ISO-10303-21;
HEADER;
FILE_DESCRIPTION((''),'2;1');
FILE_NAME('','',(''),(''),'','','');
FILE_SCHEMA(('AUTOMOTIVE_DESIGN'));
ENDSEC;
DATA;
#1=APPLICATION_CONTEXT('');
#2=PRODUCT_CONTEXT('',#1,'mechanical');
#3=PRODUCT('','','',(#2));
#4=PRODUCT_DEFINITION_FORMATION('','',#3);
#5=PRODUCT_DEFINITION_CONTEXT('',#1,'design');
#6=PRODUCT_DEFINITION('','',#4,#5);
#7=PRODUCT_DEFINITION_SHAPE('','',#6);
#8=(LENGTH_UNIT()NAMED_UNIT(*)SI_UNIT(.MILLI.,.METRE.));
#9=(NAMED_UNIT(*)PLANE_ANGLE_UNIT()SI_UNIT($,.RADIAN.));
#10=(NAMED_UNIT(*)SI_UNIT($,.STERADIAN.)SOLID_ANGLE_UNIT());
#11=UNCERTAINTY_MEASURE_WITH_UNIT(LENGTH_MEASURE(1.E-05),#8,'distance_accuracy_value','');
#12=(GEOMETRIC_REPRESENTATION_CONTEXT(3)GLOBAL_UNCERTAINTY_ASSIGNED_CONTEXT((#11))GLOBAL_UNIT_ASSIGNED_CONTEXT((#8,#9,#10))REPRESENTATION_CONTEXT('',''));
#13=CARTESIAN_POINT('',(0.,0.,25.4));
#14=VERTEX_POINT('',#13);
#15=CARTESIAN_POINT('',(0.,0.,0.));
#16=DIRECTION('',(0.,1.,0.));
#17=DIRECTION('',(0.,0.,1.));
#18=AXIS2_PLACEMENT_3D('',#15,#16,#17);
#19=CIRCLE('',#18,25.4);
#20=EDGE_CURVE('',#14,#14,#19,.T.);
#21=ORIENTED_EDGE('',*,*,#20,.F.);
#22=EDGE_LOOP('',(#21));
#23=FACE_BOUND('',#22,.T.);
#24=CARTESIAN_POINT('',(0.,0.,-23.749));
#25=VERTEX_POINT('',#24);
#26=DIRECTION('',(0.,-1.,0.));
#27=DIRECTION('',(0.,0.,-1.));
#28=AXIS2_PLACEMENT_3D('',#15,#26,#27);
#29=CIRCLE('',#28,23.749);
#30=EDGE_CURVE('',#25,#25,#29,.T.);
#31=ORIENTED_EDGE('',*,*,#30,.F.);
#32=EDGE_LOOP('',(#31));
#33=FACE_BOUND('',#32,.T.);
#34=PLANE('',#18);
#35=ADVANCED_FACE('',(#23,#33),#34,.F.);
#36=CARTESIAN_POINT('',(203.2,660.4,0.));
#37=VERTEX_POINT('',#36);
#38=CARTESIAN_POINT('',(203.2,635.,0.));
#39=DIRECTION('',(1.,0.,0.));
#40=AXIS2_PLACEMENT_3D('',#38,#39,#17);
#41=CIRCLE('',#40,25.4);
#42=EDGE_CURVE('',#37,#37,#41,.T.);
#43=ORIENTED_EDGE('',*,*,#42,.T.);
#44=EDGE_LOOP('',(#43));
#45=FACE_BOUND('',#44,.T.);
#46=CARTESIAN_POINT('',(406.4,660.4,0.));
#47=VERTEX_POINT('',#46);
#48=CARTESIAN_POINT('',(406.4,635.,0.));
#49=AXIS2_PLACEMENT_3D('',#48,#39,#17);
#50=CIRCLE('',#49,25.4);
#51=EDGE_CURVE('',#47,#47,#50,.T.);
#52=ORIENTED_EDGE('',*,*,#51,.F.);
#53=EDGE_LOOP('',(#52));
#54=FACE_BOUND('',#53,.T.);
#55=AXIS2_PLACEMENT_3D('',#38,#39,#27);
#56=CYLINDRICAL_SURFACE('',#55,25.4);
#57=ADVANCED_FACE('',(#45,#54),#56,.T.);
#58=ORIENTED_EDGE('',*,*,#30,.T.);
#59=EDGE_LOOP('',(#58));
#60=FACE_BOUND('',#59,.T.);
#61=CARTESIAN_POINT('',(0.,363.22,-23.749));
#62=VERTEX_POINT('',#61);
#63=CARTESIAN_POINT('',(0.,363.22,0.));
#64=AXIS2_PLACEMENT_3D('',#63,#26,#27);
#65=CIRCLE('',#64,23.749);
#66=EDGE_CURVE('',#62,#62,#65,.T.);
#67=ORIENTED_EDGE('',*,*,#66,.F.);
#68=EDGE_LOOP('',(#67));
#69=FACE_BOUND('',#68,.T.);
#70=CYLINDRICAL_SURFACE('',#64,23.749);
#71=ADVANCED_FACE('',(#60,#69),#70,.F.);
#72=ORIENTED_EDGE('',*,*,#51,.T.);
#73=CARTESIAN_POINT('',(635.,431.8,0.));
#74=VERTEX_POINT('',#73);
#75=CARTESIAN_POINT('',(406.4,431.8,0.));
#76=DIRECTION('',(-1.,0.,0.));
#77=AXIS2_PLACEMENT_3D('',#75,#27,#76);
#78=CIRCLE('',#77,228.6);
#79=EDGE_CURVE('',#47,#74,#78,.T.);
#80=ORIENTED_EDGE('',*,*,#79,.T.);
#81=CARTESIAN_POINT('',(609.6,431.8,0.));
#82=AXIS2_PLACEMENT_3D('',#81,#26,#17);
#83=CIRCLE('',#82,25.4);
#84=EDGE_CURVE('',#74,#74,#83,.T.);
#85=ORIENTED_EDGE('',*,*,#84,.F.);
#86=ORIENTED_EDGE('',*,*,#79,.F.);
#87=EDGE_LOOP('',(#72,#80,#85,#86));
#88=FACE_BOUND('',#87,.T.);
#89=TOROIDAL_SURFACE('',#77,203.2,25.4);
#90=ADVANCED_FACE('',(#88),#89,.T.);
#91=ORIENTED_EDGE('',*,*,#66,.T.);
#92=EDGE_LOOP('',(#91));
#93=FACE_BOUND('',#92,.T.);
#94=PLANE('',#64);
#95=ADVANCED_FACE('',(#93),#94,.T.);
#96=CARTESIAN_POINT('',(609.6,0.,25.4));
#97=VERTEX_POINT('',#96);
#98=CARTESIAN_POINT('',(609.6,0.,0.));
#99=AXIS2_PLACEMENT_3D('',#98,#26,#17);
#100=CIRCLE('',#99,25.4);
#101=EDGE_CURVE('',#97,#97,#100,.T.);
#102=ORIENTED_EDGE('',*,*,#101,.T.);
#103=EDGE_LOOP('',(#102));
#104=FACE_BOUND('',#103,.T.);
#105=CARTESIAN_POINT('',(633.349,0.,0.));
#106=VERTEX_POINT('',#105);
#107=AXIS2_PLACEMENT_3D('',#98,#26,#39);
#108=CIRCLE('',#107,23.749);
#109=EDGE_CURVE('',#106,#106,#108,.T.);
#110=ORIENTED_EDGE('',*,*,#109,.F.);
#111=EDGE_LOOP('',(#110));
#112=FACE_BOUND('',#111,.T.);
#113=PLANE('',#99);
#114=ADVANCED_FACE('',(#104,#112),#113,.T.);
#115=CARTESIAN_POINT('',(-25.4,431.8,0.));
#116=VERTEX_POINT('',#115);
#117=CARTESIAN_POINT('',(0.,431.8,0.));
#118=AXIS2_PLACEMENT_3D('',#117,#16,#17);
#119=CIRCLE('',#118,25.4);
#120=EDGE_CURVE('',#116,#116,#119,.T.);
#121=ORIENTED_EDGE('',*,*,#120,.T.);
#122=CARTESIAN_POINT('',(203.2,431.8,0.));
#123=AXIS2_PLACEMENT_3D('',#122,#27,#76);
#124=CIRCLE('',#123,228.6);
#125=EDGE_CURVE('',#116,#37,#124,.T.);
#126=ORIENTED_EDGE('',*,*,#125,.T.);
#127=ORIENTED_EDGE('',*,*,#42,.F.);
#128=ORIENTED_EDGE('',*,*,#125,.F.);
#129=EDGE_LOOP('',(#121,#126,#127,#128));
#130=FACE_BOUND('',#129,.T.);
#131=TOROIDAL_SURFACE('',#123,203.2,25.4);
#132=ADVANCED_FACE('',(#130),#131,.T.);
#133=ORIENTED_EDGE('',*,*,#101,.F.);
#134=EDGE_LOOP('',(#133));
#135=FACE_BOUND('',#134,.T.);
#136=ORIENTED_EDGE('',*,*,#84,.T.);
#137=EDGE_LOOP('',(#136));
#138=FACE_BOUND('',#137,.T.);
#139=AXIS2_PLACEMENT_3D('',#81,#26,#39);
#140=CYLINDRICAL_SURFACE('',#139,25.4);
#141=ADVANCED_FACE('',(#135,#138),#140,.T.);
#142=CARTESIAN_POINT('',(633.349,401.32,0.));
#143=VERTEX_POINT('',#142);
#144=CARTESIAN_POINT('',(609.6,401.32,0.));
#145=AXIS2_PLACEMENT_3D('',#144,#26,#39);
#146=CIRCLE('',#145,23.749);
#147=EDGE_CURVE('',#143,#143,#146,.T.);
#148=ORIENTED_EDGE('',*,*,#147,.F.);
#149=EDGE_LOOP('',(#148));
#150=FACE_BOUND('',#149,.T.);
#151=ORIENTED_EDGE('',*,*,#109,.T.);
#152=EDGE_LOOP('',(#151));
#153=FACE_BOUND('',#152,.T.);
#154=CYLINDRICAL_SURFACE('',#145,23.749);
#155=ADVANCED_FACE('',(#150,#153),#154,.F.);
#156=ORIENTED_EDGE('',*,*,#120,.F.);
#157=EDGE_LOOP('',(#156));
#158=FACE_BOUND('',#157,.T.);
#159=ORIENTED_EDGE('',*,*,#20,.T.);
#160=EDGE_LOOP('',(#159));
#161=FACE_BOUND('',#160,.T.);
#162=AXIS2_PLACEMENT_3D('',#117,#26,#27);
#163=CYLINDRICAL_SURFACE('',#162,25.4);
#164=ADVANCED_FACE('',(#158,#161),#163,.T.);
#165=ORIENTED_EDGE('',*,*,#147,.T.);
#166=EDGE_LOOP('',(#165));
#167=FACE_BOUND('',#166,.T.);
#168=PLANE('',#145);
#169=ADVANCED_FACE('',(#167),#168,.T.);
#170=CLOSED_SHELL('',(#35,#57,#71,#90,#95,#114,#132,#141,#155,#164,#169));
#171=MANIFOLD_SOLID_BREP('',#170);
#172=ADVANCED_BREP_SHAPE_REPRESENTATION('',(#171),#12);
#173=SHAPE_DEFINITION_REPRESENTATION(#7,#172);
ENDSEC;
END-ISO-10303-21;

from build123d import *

# Parameters (mm, degrees)
SKETCH2_R          = 25.4
SKETCH3_R          = 23.749
CUT_EXTRUDE1_DEPTH = 363.22
SKETCH4_R          = 23.749
CUT_EXTRUDE2_DEPTH = 401.32


with BuildPart() as part:
    # Sweep1: sweep along a path in Sketch1
    with BuildLine(Plane.XY) as sweep1_path:
        Line((0, 0), (0, 431.8))
        ThreePointArc((0, 431.8), (59.515902063, 575.484097937), (203.2, 635))
        Line((203.2, 635), (406.4, 635))
        ThreePointArc((406.4, 635), (550.084097937, 575.484097937), (609.6, 431.8))
        Line((609.6, 431.8), (609.6, 0))
    # Sketch2 → Sweep1 (sweep)
    with BuildSketch(Plane(origin=(0, 0, 0), x_dir=(1, 0, 0), z_dir=(0, 1, 0))):
        Circle(SKETCH2_R)
    sweep(path=sweep1_path.line)

    # Sketch3 → Cut-Extrude1 (cut)
    with BuildSketch(Plane.XZ):
        with Locations(Location((0, 0, 0), (0, 0, 270))):
            Circle(SKETCH3_R)
    extrude(amount=-CUT_EXTRUDE1_DEPTH, mode=Mode.SUBTRACT)

    # Sketch4 → Cut-Extrude2 (cut)
    with BuildSketch(Plane.XZ):
        with Locations((609.6, 0)):
            Circle(SKETCH4_R)
    extrude(amount=-CUT_EXTRUDE2_DEPTH, mode=Mode.SUBTRACT)


solid = part.part
